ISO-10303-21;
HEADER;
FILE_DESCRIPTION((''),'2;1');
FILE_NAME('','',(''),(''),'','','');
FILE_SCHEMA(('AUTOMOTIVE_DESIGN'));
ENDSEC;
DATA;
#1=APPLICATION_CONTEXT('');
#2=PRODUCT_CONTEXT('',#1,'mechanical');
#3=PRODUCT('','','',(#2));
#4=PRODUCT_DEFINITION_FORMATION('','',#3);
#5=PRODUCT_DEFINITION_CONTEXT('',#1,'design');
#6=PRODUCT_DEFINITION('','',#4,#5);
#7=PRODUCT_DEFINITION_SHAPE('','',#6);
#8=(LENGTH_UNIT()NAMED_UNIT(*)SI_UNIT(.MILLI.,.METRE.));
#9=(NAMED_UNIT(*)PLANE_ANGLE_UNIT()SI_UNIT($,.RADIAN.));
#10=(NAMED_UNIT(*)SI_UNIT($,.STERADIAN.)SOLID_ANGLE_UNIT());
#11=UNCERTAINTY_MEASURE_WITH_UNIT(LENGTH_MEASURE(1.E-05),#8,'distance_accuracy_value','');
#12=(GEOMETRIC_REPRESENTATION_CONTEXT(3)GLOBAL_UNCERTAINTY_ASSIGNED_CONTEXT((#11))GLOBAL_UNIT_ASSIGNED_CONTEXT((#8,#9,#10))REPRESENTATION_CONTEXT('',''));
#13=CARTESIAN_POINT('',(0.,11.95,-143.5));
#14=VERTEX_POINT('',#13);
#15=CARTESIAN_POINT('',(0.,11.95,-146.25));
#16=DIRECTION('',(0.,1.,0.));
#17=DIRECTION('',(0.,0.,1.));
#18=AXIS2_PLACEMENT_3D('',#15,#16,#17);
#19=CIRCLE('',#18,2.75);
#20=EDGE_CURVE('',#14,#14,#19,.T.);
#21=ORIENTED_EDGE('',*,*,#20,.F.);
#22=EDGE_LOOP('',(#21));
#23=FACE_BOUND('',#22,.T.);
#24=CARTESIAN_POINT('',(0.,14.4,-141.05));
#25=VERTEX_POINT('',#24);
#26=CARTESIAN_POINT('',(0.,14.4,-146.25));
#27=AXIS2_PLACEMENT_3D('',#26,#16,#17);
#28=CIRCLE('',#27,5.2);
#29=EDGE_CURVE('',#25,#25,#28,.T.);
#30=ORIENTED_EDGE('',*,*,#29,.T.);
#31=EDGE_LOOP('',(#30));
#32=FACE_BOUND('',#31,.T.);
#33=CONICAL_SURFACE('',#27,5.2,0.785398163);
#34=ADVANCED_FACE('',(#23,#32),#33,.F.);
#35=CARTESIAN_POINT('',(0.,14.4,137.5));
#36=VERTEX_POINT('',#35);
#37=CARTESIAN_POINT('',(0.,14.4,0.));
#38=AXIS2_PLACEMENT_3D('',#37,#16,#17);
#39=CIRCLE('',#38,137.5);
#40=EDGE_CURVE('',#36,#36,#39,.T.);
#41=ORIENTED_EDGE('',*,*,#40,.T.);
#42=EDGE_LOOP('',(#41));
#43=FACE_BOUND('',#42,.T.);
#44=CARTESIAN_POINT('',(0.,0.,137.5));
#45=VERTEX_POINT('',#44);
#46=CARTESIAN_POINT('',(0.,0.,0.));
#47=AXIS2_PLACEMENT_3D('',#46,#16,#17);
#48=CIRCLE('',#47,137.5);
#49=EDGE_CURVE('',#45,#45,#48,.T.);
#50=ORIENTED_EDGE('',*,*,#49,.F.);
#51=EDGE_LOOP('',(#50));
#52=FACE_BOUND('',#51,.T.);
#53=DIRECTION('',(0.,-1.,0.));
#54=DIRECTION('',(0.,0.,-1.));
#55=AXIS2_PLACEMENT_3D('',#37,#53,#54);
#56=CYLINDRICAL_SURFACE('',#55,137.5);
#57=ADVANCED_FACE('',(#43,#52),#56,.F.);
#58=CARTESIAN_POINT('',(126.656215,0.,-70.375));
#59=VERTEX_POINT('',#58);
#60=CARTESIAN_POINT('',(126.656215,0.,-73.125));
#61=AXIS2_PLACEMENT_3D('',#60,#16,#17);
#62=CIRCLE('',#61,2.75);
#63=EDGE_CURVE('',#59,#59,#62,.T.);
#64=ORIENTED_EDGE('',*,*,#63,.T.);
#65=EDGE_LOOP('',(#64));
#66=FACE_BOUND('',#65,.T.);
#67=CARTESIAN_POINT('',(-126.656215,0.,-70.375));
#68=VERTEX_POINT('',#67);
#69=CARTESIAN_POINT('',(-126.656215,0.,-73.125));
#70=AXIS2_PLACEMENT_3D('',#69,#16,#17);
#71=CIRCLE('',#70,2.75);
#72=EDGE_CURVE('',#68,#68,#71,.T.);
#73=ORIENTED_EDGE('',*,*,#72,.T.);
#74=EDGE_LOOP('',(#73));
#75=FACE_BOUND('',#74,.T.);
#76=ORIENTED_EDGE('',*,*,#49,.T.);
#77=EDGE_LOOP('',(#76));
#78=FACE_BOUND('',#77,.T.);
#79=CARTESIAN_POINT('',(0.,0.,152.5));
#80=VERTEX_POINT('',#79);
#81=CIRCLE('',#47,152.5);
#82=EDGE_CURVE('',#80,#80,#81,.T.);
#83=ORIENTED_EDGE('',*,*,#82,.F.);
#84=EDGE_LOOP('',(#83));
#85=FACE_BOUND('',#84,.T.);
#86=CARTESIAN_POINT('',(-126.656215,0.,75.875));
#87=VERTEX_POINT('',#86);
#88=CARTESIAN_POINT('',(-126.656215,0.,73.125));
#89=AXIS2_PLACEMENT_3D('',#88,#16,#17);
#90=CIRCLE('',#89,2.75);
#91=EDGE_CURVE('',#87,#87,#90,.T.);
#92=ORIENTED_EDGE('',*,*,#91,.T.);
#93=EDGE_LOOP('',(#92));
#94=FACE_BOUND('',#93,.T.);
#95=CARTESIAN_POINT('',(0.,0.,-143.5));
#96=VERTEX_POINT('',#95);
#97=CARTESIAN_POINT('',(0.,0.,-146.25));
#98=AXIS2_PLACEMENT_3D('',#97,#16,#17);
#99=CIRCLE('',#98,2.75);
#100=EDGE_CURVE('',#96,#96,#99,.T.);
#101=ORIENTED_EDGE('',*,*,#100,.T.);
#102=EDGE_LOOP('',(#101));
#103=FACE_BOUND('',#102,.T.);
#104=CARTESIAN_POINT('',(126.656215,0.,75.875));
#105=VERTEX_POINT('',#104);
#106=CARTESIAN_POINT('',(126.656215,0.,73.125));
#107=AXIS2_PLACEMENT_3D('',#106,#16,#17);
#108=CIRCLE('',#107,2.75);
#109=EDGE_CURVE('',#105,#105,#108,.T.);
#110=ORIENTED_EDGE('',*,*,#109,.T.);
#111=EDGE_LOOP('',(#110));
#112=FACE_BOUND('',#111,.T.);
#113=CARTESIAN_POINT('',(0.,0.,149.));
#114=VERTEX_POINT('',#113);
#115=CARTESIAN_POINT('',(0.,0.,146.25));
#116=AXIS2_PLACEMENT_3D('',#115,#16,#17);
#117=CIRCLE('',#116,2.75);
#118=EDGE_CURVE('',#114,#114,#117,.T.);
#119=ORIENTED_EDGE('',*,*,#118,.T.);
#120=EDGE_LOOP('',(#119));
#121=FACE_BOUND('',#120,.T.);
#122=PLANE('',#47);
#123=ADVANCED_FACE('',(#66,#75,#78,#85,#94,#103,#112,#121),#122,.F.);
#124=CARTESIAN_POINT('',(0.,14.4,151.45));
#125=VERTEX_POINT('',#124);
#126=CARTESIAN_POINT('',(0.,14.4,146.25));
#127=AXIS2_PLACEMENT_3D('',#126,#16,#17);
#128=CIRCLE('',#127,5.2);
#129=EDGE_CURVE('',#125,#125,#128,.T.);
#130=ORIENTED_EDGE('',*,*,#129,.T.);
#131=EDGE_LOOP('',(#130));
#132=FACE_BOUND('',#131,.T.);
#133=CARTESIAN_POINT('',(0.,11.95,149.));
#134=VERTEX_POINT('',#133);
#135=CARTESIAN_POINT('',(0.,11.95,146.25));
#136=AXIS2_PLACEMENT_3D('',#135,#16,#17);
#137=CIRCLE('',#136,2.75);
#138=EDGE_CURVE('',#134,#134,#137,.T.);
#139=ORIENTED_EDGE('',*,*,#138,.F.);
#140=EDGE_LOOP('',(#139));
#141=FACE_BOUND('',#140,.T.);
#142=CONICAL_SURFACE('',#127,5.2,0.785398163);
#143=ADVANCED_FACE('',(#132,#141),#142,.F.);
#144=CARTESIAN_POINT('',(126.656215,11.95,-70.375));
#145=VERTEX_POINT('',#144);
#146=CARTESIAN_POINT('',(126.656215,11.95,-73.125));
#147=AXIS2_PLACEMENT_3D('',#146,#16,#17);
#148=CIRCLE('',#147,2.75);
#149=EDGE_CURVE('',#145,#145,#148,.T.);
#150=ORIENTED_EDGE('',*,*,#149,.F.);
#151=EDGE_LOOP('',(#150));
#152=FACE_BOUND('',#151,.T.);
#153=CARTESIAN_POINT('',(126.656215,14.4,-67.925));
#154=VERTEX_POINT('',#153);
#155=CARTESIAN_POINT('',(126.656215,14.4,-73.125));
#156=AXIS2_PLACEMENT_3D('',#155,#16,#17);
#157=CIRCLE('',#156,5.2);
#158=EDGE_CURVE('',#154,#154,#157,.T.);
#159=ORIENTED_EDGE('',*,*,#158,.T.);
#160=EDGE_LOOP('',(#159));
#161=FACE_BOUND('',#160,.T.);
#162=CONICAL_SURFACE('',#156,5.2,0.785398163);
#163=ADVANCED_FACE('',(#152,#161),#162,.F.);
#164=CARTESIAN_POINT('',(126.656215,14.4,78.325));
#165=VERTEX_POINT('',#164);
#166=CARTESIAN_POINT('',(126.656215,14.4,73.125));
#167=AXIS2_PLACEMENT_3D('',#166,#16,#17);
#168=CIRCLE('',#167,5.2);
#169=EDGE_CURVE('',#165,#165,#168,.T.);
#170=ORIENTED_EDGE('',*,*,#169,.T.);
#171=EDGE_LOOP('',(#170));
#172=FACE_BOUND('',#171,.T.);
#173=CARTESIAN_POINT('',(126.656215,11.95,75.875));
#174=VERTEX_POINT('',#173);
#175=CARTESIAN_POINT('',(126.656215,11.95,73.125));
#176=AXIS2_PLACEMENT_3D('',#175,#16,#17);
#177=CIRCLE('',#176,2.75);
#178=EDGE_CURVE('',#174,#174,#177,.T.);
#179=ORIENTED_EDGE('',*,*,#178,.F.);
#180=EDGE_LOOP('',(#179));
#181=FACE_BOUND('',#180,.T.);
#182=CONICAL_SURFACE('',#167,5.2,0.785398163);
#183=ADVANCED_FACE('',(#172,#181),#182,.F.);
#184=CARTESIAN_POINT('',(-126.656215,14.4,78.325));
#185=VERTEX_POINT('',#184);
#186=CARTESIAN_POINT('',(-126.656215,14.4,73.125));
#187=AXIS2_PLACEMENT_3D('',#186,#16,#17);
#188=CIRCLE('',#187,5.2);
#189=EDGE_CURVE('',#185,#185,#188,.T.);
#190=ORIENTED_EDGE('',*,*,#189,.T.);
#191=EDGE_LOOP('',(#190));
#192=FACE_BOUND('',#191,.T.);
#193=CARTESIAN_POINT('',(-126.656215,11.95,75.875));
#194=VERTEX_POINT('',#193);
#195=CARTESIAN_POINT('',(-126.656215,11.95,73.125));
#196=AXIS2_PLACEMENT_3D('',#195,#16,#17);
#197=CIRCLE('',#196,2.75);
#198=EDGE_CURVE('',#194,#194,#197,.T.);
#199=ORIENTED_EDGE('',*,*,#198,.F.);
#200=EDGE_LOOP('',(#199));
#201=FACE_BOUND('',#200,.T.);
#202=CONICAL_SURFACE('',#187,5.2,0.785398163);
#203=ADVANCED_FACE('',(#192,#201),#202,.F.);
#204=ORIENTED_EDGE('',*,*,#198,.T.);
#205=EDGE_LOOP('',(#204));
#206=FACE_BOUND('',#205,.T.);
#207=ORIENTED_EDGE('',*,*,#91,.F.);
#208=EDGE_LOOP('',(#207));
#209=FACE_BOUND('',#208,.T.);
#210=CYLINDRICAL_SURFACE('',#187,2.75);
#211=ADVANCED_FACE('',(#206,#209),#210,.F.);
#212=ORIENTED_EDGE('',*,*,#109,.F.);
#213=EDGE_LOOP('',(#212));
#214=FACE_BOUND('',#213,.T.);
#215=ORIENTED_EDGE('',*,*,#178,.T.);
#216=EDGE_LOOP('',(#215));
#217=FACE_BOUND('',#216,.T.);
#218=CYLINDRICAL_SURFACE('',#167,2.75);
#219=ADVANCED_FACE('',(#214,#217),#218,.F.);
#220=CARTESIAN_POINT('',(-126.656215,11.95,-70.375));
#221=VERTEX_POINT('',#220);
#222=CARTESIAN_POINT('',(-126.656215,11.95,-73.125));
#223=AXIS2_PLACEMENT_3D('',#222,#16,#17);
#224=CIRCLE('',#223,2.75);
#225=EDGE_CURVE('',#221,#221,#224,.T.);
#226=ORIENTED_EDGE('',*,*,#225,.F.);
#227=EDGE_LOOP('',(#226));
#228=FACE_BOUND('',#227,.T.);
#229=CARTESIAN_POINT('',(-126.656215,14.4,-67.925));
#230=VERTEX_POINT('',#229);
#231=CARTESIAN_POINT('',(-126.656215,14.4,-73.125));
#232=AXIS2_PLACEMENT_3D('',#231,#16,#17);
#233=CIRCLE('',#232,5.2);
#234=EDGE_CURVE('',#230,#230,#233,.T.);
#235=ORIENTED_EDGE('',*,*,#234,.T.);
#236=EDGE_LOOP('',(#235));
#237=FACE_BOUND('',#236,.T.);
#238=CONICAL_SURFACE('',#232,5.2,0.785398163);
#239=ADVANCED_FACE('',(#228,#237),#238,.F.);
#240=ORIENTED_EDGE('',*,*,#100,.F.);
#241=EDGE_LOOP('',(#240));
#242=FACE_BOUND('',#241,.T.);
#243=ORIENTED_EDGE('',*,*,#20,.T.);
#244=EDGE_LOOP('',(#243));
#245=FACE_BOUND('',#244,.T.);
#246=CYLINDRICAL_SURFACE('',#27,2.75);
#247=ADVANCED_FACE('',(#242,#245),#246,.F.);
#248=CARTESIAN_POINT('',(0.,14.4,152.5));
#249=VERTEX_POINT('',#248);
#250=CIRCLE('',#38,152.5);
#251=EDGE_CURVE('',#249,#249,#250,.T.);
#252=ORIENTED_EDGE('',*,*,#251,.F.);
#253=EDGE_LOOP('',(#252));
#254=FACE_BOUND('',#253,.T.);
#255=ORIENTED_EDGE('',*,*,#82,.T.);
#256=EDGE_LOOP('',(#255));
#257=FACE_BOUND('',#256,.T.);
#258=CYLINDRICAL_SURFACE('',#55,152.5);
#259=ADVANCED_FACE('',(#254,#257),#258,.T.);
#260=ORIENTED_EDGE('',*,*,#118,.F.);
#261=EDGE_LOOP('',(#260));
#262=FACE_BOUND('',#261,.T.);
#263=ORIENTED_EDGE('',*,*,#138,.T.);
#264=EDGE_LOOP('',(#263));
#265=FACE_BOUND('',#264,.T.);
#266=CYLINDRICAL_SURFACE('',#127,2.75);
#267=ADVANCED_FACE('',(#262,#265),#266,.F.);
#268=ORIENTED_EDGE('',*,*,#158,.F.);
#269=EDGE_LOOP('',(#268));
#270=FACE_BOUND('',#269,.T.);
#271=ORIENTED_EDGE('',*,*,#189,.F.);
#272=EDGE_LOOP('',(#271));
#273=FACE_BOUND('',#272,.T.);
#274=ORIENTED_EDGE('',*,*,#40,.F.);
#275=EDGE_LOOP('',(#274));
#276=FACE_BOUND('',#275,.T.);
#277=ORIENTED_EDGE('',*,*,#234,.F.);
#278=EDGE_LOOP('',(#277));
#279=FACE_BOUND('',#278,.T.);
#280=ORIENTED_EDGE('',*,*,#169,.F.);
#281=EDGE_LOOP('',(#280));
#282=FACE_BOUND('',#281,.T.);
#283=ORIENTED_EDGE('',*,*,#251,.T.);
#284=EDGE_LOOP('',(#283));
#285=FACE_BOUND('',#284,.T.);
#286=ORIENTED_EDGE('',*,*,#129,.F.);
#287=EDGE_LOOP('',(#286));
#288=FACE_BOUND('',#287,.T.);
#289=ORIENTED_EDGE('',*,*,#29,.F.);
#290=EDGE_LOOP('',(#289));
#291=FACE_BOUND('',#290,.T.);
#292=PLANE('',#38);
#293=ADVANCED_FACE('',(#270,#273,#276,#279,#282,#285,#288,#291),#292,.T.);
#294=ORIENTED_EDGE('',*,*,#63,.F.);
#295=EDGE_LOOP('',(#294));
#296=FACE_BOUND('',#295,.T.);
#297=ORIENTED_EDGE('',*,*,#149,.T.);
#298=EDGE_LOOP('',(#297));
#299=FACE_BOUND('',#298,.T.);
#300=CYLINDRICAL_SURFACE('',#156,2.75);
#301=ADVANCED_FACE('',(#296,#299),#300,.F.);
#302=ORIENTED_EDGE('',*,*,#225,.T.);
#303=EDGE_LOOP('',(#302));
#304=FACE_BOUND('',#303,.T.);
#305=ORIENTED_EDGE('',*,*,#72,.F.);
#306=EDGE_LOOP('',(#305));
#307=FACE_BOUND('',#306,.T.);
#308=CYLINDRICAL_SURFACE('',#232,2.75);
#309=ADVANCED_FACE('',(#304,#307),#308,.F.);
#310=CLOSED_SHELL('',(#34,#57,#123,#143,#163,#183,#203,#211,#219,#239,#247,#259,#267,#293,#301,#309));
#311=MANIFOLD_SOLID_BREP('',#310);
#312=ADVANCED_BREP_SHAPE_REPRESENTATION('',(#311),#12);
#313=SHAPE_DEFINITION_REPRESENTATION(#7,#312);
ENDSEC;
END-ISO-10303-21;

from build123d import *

# Parameters (mm, degrees)
SKETCH1_R                                       = 152.5
SKETCH1_R_2                                     = 137.5
BOSS_EXTRUDE1_DEPTH                             = 14.4
CSK_FOR_M5_FLAT_HEAD_MACHINE_SCREW1_D           = 5.5
CSK_FOR_M5_FLAT_HEAD_MACHINE_SCREW1_CSINK_D     = 10.4
CSK_FOR_M5_FLAT_HEAD_MACHINE_SCREW1_CSINK_ANGLE = 90
CIRPATTERN1_COUNT                               = 6


with BuildPart() as part:
    # Sketch1 → Boss-Extrude1 (new body)
    with BuildSketch(Plane(origin=(0, 0, 0), x_dir=(1, 0, 0), z_dir=(0, 1, 0))):
        with Locations(Location((0, 0, 0), (0, 0, 270))):
            Circle(SKETCH1_R)
        with Locations(Location((0, 0, 0), (0, 0, 270))):
            Circle(SKETCH1_R_2, mode=Mode.SUBTRACT)
    extrude(amount=BOSS_EXTRUDE1_DEPTH)

    # CSK for M5 Flat Head Machine Screw1 (through all)
    with Locations(Plane(origin=(0, 14.4, 0), x_dir=(1, 0, 0), z_dir=(0, 1, 0))):
        with Locations((0, 146.25)):
            csk_for_m5_flat_head_machine_screw1 = CounterSinkHole(CSK_FOR_M5_FLAT_HEAD_MACHINE_SCREW1_D / 2, CSK_FOR_M5_FLAT_HEAD_MACHINE_SCREW1_CSINK_D / 2, counter_sink_angle=CSK_FOR_M5_FLAT_HEAD_MACHINE_SCREW1_CSINK_ANGLE)

    # CirPattern1: CSK for M5 Flat Head Machine Screw1 ×6 about axis
    cirpattern1_axis = Axis((0, 0, 0), (0, 1, 0))
    for i in range(1, CIRPATTERN1_COUNT):
        add(csk_for_m5_flat_head_machine_screw1.rotate(cirpattern1_axis, i * 360 / CIRPATTERN1_COUNT), mode=Mode.SUBTRACT)


solid = part.part
